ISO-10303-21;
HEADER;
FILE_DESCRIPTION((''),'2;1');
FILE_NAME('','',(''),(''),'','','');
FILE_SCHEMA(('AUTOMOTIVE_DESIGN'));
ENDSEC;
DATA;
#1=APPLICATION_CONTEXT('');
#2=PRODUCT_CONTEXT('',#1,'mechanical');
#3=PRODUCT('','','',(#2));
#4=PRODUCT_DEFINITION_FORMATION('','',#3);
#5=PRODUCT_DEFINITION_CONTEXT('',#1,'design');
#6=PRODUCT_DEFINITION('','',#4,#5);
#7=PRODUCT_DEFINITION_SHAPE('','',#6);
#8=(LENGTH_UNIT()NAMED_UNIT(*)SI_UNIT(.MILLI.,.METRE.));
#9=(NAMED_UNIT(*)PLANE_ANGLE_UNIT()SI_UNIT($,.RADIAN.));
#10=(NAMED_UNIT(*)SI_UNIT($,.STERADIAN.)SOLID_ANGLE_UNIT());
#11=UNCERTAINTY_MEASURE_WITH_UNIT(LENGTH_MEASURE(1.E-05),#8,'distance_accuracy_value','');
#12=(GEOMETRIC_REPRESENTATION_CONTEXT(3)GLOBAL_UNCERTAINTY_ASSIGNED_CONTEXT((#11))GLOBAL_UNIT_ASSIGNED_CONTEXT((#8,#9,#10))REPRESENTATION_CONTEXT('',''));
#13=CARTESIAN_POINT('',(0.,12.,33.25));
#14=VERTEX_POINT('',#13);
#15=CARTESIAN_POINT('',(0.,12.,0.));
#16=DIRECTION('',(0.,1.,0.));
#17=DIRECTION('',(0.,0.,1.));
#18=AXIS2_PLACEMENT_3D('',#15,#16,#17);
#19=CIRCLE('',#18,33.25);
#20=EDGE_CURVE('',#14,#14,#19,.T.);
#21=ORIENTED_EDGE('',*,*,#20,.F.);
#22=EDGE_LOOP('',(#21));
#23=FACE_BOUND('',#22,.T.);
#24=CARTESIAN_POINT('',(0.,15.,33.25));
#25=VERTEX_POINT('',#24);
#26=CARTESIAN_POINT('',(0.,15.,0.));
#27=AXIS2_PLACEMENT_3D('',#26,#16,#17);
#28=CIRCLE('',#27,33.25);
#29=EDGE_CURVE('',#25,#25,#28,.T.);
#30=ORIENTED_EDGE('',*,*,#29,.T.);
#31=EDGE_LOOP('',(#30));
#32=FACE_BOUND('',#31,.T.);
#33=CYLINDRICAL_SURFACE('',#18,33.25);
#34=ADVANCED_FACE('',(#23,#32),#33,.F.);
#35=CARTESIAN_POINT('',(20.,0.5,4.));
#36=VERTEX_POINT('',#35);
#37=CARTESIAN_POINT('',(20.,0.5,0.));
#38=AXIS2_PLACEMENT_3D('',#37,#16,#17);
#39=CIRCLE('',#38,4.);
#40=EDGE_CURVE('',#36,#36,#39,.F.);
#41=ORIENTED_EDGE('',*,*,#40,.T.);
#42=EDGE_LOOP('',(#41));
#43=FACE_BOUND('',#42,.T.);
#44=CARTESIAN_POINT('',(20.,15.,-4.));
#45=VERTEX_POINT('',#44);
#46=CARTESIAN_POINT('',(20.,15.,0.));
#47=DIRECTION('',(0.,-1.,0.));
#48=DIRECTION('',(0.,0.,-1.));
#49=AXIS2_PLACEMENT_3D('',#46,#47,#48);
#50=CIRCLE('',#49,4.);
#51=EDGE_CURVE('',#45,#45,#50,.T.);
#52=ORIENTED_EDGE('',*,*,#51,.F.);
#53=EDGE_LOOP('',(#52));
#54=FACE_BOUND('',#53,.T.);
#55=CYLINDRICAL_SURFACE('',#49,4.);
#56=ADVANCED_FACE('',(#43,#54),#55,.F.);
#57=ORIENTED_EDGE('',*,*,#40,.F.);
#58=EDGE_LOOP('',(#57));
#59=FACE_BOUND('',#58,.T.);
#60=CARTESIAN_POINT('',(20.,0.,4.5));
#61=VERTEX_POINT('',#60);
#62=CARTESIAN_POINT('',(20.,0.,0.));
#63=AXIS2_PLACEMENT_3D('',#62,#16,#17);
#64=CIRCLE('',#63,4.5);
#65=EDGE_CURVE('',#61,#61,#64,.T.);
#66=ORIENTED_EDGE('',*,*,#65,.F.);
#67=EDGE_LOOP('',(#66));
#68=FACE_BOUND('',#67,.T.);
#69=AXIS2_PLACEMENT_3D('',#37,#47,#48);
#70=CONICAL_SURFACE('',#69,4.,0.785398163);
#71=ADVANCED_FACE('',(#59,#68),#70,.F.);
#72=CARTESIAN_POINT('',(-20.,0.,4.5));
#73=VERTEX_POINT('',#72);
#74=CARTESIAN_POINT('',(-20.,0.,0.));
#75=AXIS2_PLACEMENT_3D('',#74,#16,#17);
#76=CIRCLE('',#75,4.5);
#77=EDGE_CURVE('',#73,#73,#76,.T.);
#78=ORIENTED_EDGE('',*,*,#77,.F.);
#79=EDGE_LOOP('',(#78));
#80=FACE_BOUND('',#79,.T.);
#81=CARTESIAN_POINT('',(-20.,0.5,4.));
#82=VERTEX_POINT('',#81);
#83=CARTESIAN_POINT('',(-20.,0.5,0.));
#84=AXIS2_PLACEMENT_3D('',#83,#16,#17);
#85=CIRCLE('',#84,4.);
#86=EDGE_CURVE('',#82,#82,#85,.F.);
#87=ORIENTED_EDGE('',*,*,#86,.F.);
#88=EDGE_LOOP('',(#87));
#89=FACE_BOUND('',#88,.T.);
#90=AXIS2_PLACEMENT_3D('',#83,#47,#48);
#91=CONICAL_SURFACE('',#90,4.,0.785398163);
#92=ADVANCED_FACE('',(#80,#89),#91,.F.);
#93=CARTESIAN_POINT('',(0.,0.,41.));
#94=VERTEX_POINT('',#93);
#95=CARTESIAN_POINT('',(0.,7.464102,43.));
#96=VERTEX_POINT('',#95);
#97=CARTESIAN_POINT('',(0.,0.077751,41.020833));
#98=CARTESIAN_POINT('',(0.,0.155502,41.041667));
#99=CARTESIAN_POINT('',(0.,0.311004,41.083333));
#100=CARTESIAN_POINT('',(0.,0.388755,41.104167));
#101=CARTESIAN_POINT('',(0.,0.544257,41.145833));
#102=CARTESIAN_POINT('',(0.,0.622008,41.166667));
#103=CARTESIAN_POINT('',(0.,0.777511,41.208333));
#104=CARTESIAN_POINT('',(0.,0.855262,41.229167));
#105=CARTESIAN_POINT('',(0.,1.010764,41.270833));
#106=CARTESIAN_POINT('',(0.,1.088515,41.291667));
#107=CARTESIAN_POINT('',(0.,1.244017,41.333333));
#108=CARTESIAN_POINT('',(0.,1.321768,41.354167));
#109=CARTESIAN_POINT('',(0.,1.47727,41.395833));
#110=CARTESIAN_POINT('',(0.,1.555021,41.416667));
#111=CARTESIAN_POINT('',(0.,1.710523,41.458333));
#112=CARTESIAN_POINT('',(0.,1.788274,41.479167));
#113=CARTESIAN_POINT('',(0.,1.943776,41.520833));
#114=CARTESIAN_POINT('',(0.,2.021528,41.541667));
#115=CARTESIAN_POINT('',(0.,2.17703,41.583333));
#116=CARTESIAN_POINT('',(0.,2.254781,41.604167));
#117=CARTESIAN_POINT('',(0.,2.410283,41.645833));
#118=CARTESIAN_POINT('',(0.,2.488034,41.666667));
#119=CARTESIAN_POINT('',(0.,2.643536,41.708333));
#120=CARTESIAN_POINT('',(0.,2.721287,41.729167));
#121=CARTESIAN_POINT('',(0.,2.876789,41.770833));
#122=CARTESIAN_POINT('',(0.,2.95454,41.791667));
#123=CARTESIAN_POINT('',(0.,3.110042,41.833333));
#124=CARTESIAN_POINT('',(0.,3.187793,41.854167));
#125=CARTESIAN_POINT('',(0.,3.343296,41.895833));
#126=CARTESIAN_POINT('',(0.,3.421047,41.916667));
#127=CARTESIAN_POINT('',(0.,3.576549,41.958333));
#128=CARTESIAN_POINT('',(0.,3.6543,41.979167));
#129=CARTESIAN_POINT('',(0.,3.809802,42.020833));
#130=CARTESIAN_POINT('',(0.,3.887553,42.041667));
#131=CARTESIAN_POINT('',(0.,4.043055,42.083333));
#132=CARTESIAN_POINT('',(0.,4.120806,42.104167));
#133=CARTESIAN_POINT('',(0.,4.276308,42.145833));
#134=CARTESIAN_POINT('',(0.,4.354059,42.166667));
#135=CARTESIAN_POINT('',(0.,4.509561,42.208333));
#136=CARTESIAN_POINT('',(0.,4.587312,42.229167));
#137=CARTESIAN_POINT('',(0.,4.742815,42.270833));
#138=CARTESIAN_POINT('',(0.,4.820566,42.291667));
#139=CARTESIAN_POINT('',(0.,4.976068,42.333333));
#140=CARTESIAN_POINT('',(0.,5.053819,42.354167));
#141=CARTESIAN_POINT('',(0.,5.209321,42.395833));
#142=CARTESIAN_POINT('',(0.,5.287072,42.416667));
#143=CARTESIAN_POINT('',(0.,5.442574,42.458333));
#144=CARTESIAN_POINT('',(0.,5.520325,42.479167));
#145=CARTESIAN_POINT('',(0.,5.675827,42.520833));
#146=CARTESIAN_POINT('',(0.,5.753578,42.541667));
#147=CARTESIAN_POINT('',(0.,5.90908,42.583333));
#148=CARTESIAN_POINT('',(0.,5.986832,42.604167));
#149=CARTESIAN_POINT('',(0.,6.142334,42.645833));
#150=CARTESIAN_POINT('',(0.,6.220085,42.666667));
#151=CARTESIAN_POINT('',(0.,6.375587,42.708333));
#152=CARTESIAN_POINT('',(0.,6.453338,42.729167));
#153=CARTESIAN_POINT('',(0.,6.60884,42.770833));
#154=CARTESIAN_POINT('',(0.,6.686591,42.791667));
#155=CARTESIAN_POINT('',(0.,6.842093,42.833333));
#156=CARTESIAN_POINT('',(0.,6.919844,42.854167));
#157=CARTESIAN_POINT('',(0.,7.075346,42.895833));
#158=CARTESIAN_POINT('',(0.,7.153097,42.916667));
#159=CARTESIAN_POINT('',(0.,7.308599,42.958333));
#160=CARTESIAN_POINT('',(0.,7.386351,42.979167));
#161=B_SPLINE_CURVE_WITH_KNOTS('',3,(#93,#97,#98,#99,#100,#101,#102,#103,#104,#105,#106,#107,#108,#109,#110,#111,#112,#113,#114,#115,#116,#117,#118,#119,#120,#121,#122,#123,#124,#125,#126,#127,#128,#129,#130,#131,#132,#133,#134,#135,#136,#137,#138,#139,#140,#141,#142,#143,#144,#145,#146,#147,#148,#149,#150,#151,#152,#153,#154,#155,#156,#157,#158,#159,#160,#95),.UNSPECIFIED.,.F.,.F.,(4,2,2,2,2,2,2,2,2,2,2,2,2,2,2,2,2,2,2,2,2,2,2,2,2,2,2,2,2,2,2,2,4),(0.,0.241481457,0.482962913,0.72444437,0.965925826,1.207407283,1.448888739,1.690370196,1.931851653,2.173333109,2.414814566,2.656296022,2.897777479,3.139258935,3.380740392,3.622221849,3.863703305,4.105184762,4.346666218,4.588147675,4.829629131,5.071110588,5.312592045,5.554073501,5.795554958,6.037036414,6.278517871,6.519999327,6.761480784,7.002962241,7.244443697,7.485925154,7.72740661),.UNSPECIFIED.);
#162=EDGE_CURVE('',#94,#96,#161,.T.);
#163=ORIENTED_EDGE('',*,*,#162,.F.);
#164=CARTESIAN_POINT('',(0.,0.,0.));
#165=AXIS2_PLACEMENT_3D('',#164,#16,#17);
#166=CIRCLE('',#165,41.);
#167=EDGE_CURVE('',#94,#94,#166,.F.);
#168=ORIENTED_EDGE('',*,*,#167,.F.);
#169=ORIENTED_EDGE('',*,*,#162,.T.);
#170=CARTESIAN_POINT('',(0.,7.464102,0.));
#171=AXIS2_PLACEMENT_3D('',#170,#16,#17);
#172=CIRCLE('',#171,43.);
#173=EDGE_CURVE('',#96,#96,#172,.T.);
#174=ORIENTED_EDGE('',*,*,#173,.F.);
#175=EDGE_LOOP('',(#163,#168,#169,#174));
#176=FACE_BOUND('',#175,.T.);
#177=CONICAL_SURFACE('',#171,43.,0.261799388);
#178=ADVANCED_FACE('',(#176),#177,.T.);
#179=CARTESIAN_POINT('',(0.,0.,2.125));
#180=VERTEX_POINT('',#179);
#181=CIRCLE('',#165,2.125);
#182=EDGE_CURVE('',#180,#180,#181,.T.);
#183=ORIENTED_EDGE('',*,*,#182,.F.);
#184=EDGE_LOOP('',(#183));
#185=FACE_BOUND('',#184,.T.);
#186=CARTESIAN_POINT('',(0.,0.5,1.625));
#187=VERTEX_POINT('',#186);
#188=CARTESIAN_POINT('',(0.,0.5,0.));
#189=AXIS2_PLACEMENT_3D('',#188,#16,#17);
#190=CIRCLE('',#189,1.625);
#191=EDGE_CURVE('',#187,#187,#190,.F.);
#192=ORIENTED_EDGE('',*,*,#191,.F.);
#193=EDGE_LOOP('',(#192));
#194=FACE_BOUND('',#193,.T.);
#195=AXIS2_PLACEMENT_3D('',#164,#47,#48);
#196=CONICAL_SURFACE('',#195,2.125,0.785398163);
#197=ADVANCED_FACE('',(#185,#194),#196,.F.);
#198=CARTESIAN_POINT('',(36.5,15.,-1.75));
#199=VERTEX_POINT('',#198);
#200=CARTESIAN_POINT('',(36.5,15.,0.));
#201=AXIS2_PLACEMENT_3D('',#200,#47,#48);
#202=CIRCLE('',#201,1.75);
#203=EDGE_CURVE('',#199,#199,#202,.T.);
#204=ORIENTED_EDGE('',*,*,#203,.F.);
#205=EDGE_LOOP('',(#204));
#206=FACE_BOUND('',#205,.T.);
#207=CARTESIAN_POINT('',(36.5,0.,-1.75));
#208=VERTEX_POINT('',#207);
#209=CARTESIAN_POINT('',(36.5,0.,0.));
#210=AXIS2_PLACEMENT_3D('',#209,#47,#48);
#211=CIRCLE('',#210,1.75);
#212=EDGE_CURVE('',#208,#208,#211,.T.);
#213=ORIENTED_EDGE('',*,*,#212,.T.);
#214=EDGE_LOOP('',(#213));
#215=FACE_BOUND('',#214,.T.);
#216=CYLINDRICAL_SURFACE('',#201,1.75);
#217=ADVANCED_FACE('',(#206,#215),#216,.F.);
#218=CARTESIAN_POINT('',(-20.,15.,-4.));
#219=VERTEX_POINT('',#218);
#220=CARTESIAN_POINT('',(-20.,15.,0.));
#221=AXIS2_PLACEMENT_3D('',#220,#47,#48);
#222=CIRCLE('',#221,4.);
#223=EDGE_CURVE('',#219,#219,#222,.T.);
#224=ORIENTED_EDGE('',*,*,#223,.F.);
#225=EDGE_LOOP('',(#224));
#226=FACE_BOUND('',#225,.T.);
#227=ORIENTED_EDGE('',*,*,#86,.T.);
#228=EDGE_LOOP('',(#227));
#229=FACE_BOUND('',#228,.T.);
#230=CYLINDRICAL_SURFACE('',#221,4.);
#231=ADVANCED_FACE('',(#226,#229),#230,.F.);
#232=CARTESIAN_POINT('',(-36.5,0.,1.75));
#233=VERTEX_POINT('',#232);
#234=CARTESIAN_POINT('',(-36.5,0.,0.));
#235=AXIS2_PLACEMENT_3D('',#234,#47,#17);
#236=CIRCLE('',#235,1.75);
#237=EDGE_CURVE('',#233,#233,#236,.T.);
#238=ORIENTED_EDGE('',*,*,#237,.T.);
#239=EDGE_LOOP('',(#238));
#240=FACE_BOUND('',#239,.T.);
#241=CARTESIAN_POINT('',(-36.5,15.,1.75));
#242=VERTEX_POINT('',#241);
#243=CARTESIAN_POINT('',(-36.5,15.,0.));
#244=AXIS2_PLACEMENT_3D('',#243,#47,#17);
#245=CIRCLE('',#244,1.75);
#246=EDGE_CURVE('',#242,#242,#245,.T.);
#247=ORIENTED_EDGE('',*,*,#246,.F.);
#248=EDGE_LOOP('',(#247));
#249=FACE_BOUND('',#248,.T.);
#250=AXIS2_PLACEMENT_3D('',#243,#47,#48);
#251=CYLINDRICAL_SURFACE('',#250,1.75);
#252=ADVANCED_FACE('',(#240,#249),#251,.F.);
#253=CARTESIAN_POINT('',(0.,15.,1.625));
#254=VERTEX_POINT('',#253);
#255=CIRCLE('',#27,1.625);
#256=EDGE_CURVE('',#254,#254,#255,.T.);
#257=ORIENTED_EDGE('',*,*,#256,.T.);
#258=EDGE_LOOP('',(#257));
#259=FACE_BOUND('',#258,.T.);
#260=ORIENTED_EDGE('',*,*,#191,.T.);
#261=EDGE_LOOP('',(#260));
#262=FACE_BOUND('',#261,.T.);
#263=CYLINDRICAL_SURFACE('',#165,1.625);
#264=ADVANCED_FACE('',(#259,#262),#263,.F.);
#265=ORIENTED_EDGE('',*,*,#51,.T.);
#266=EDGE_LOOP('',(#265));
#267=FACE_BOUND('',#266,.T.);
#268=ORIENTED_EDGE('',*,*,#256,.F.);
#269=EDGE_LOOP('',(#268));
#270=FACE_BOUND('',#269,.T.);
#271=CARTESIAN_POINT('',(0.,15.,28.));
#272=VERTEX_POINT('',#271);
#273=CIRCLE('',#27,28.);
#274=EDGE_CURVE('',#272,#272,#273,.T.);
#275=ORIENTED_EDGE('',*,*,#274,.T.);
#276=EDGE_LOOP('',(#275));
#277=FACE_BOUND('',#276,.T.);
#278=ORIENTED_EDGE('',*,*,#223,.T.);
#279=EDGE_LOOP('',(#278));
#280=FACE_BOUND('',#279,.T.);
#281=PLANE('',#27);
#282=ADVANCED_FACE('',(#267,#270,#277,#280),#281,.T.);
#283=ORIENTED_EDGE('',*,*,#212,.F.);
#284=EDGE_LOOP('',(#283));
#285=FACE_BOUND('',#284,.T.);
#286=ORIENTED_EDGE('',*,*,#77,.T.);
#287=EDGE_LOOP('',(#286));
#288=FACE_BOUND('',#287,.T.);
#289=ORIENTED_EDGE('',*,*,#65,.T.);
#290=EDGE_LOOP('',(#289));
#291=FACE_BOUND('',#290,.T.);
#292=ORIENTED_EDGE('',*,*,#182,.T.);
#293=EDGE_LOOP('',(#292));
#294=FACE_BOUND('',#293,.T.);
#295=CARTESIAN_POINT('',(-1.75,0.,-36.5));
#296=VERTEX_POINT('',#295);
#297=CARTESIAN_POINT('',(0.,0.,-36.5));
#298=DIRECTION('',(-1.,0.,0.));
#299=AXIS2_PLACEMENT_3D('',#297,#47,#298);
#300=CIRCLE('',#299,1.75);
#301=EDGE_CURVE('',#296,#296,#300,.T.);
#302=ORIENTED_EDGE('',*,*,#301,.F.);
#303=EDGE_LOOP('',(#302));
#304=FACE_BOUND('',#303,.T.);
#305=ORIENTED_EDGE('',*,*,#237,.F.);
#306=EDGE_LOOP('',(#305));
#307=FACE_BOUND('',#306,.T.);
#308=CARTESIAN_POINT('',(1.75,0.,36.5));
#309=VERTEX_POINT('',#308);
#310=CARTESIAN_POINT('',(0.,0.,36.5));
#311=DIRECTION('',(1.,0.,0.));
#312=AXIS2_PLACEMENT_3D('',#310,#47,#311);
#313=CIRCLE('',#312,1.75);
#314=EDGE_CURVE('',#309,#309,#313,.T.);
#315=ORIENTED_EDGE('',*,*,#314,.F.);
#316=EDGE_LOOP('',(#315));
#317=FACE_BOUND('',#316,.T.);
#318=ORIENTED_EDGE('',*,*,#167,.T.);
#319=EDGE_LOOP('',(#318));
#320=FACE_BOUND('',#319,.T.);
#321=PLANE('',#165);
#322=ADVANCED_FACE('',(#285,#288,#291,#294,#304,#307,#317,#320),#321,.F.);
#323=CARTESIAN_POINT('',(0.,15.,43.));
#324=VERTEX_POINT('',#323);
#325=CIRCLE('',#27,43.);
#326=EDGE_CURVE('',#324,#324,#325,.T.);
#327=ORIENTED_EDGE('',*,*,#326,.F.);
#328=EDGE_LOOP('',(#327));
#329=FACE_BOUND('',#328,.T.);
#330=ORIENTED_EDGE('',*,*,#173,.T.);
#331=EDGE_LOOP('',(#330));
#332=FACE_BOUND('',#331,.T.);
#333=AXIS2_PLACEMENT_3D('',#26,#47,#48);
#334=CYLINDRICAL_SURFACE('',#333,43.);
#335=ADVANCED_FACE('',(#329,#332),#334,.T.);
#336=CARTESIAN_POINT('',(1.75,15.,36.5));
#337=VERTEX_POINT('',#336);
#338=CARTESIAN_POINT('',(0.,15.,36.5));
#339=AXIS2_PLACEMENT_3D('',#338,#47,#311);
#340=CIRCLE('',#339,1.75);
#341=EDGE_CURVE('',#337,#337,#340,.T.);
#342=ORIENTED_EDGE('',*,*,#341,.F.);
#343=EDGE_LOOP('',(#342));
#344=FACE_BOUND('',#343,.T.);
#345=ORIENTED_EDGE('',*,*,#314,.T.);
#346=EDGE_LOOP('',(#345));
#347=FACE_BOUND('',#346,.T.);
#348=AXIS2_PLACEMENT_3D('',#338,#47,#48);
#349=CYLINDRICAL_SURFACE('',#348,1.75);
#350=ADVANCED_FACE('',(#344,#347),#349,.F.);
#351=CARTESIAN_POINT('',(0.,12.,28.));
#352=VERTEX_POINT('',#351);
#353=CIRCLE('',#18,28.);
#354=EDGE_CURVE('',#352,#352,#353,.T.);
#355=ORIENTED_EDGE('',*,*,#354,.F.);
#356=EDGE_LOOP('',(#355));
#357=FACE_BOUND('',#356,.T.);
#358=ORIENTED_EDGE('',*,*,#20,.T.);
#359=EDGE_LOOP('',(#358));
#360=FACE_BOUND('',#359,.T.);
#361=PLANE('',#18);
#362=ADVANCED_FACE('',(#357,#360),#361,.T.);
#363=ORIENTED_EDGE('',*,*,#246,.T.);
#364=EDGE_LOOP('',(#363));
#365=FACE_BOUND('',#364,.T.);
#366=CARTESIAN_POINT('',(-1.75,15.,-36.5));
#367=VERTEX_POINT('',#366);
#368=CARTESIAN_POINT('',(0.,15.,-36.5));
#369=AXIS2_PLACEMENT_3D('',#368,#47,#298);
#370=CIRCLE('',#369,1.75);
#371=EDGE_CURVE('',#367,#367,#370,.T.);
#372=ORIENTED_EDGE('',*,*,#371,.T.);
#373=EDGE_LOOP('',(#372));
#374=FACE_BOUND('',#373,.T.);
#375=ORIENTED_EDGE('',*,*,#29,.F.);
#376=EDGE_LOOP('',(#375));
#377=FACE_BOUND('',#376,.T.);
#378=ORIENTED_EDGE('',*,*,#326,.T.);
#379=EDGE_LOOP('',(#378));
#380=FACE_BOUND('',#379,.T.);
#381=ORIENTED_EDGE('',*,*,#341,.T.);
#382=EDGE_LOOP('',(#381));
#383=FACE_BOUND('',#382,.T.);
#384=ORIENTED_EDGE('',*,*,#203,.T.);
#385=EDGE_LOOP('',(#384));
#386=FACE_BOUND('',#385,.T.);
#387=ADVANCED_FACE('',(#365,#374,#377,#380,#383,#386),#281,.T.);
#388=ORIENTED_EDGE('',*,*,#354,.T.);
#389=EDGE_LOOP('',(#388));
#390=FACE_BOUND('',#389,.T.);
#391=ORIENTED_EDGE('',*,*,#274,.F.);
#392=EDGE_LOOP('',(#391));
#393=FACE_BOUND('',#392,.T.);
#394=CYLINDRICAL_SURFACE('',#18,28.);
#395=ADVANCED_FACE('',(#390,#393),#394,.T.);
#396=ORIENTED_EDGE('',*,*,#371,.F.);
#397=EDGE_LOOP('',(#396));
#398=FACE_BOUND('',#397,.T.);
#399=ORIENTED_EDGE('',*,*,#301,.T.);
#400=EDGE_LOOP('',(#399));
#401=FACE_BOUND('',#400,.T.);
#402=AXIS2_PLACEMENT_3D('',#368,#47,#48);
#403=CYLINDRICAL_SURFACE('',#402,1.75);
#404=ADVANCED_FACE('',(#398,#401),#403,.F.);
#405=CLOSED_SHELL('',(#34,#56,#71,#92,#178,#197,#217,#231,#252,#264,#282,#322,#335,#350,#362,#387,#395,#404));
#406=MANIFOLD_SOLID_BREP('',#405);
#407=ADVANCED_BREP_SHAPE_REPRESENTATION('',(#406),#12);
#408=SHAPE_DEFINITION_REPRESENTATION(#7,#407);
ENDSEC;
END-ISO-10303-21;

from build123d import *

# Parameters (mm, degrees)
SKETCH1_R           = 43
BOSS_EXTRUDE1_DEPTH = 15
SKETCH2_R           = 4
CUT_EXTRUDE1_DEPTH  = 63.633856659
SKETCH3_R           = 1.625
CUT_EXTRUDE2_DEPTH  = 63.633856659
SKETCH4_R           = 33.25
SKETCH4_R_2         = 28
CUT_EXTRUDE3_DEPTH  = 3
SKETCH5_R           = 1.75
CUT_EXTRUDE4_DEPTH  = 63.633856659
CIRPATTERN1_COUNT   = 4
CHAMFER1_SIZE       = 2
CHAMFER1_SIZE2      = 7.464101615
CHAMFER2_SIZE       = 0.5


with BuildPart() as part:
    # Sketch1 → Boss-Extrude1 (new body)
    with BuildSketch(Plane(origin=(0, 0, 0), x_dir=(1, 0, 0), z_dir=(0, 1, 0))):
        with Locations(Location((0, 0, 0), (0, 0, 270))):
            Circle(SKETCH1_R)
    extrude(amount=BOSS_EXTRUDE1_DEPTH)

    # Sketch2 → Cut-Extrude1 (cut, through all)
    with BuildSketch(Plane.XZ):
        with Locations(Location((20, 0, 0), (0, 0, 270))):
            Circle(SKETCH2_R)
        with Locations(Location((-20, 0, 0), (0, 0, 270))):
            Circle(SKETCH2_R)
    extrude(amount=-CUT_EXTRUDE1_DEPTH, mode=Mode.SUBTRACT)

    # Sketch3 → Cut-Extrude2 (cut, through all)
    with BuildSketch(Plane(origin=(0, 15, 0), x_dir=(1, 0, 0), z_dir=(0, 1, 0))):
        with Locations(Location((0, 0, 0), (0, 0, 270))):
            Circle(SKETCH3_R)
    extrude(amount=-CUT_EXTRUDE2_DEPTH, mode=Mode.SUBTRACT)

    # Sketch4 → Cut-Extrude3 (cut)
    with BuildSketch(Plane(origin=(0, 15, 0), x_dir=(1, 0, 0), z_dir=(0, 1, 0))):
        with Locations(Location((0, 0, 0), (0, 0, 270))):
            Circle(SKETCH4_R)
        with Locations(Location((0, 0, 0), (0, 0, 270))):
            Circle(SKETCH4_R_2, mode=Mode.SUBTRACT)
    extrude(amount=-CUT_EXTRUDE3_DEPTH, mode=Mode.SUBTRACT)

    # Sketch5 → Cut-Extrude4 (cut, through all)
    with BuildSketch(Plane.XZ):
        with Locations(Location((36.5, 0, 0), (0, 0, 270))):
            Circle(SKETCH5_R)
    cut_extrude4 = extrude(amount=-CUT_EXTRUDE4_DEPTH, mode=Mode.SUBTRACT)

    # CirPattern1: Cut-Extrude4 ×4 about axis
    cirpattern1_axis = Axis((0, 0, 0), (0, 1, 0))
    for i in range(1, CIRPATTERN1_COUNT):
        add(cut_extrude4.rotate(cirpattern1_axis, i * 360 / CIRPATTERN1_COUNT), mode=Mode.SUBTRACT)

    # Chamfer1
    chamfer1_edges = [part.edges().sort_by_distance(p)[0] for p in [
        (0, 0, -43),
    ]]
    chamfer1_side = [part.faces().sort_by_distance(p)[0] for p in [
        (0, 0, -41.783776336),
    ]]
    chamfer(chamfer1_edges, length=CHAMFER1_SIZE, length2=CHAMFER1_SIZE2, reference=chamfer1_side[0])

    # Chamfer2
    chamfer2_edges = [part.edges().sort_by_distance(p)[0] for p in [
        (-20, 0, 4),
        (0, 0, -1.625),
        (20, 0, 4),
    ]]
    chamfer(chamfer2_edges, length=CHAMFER2_SIZE)


solid = part.part
